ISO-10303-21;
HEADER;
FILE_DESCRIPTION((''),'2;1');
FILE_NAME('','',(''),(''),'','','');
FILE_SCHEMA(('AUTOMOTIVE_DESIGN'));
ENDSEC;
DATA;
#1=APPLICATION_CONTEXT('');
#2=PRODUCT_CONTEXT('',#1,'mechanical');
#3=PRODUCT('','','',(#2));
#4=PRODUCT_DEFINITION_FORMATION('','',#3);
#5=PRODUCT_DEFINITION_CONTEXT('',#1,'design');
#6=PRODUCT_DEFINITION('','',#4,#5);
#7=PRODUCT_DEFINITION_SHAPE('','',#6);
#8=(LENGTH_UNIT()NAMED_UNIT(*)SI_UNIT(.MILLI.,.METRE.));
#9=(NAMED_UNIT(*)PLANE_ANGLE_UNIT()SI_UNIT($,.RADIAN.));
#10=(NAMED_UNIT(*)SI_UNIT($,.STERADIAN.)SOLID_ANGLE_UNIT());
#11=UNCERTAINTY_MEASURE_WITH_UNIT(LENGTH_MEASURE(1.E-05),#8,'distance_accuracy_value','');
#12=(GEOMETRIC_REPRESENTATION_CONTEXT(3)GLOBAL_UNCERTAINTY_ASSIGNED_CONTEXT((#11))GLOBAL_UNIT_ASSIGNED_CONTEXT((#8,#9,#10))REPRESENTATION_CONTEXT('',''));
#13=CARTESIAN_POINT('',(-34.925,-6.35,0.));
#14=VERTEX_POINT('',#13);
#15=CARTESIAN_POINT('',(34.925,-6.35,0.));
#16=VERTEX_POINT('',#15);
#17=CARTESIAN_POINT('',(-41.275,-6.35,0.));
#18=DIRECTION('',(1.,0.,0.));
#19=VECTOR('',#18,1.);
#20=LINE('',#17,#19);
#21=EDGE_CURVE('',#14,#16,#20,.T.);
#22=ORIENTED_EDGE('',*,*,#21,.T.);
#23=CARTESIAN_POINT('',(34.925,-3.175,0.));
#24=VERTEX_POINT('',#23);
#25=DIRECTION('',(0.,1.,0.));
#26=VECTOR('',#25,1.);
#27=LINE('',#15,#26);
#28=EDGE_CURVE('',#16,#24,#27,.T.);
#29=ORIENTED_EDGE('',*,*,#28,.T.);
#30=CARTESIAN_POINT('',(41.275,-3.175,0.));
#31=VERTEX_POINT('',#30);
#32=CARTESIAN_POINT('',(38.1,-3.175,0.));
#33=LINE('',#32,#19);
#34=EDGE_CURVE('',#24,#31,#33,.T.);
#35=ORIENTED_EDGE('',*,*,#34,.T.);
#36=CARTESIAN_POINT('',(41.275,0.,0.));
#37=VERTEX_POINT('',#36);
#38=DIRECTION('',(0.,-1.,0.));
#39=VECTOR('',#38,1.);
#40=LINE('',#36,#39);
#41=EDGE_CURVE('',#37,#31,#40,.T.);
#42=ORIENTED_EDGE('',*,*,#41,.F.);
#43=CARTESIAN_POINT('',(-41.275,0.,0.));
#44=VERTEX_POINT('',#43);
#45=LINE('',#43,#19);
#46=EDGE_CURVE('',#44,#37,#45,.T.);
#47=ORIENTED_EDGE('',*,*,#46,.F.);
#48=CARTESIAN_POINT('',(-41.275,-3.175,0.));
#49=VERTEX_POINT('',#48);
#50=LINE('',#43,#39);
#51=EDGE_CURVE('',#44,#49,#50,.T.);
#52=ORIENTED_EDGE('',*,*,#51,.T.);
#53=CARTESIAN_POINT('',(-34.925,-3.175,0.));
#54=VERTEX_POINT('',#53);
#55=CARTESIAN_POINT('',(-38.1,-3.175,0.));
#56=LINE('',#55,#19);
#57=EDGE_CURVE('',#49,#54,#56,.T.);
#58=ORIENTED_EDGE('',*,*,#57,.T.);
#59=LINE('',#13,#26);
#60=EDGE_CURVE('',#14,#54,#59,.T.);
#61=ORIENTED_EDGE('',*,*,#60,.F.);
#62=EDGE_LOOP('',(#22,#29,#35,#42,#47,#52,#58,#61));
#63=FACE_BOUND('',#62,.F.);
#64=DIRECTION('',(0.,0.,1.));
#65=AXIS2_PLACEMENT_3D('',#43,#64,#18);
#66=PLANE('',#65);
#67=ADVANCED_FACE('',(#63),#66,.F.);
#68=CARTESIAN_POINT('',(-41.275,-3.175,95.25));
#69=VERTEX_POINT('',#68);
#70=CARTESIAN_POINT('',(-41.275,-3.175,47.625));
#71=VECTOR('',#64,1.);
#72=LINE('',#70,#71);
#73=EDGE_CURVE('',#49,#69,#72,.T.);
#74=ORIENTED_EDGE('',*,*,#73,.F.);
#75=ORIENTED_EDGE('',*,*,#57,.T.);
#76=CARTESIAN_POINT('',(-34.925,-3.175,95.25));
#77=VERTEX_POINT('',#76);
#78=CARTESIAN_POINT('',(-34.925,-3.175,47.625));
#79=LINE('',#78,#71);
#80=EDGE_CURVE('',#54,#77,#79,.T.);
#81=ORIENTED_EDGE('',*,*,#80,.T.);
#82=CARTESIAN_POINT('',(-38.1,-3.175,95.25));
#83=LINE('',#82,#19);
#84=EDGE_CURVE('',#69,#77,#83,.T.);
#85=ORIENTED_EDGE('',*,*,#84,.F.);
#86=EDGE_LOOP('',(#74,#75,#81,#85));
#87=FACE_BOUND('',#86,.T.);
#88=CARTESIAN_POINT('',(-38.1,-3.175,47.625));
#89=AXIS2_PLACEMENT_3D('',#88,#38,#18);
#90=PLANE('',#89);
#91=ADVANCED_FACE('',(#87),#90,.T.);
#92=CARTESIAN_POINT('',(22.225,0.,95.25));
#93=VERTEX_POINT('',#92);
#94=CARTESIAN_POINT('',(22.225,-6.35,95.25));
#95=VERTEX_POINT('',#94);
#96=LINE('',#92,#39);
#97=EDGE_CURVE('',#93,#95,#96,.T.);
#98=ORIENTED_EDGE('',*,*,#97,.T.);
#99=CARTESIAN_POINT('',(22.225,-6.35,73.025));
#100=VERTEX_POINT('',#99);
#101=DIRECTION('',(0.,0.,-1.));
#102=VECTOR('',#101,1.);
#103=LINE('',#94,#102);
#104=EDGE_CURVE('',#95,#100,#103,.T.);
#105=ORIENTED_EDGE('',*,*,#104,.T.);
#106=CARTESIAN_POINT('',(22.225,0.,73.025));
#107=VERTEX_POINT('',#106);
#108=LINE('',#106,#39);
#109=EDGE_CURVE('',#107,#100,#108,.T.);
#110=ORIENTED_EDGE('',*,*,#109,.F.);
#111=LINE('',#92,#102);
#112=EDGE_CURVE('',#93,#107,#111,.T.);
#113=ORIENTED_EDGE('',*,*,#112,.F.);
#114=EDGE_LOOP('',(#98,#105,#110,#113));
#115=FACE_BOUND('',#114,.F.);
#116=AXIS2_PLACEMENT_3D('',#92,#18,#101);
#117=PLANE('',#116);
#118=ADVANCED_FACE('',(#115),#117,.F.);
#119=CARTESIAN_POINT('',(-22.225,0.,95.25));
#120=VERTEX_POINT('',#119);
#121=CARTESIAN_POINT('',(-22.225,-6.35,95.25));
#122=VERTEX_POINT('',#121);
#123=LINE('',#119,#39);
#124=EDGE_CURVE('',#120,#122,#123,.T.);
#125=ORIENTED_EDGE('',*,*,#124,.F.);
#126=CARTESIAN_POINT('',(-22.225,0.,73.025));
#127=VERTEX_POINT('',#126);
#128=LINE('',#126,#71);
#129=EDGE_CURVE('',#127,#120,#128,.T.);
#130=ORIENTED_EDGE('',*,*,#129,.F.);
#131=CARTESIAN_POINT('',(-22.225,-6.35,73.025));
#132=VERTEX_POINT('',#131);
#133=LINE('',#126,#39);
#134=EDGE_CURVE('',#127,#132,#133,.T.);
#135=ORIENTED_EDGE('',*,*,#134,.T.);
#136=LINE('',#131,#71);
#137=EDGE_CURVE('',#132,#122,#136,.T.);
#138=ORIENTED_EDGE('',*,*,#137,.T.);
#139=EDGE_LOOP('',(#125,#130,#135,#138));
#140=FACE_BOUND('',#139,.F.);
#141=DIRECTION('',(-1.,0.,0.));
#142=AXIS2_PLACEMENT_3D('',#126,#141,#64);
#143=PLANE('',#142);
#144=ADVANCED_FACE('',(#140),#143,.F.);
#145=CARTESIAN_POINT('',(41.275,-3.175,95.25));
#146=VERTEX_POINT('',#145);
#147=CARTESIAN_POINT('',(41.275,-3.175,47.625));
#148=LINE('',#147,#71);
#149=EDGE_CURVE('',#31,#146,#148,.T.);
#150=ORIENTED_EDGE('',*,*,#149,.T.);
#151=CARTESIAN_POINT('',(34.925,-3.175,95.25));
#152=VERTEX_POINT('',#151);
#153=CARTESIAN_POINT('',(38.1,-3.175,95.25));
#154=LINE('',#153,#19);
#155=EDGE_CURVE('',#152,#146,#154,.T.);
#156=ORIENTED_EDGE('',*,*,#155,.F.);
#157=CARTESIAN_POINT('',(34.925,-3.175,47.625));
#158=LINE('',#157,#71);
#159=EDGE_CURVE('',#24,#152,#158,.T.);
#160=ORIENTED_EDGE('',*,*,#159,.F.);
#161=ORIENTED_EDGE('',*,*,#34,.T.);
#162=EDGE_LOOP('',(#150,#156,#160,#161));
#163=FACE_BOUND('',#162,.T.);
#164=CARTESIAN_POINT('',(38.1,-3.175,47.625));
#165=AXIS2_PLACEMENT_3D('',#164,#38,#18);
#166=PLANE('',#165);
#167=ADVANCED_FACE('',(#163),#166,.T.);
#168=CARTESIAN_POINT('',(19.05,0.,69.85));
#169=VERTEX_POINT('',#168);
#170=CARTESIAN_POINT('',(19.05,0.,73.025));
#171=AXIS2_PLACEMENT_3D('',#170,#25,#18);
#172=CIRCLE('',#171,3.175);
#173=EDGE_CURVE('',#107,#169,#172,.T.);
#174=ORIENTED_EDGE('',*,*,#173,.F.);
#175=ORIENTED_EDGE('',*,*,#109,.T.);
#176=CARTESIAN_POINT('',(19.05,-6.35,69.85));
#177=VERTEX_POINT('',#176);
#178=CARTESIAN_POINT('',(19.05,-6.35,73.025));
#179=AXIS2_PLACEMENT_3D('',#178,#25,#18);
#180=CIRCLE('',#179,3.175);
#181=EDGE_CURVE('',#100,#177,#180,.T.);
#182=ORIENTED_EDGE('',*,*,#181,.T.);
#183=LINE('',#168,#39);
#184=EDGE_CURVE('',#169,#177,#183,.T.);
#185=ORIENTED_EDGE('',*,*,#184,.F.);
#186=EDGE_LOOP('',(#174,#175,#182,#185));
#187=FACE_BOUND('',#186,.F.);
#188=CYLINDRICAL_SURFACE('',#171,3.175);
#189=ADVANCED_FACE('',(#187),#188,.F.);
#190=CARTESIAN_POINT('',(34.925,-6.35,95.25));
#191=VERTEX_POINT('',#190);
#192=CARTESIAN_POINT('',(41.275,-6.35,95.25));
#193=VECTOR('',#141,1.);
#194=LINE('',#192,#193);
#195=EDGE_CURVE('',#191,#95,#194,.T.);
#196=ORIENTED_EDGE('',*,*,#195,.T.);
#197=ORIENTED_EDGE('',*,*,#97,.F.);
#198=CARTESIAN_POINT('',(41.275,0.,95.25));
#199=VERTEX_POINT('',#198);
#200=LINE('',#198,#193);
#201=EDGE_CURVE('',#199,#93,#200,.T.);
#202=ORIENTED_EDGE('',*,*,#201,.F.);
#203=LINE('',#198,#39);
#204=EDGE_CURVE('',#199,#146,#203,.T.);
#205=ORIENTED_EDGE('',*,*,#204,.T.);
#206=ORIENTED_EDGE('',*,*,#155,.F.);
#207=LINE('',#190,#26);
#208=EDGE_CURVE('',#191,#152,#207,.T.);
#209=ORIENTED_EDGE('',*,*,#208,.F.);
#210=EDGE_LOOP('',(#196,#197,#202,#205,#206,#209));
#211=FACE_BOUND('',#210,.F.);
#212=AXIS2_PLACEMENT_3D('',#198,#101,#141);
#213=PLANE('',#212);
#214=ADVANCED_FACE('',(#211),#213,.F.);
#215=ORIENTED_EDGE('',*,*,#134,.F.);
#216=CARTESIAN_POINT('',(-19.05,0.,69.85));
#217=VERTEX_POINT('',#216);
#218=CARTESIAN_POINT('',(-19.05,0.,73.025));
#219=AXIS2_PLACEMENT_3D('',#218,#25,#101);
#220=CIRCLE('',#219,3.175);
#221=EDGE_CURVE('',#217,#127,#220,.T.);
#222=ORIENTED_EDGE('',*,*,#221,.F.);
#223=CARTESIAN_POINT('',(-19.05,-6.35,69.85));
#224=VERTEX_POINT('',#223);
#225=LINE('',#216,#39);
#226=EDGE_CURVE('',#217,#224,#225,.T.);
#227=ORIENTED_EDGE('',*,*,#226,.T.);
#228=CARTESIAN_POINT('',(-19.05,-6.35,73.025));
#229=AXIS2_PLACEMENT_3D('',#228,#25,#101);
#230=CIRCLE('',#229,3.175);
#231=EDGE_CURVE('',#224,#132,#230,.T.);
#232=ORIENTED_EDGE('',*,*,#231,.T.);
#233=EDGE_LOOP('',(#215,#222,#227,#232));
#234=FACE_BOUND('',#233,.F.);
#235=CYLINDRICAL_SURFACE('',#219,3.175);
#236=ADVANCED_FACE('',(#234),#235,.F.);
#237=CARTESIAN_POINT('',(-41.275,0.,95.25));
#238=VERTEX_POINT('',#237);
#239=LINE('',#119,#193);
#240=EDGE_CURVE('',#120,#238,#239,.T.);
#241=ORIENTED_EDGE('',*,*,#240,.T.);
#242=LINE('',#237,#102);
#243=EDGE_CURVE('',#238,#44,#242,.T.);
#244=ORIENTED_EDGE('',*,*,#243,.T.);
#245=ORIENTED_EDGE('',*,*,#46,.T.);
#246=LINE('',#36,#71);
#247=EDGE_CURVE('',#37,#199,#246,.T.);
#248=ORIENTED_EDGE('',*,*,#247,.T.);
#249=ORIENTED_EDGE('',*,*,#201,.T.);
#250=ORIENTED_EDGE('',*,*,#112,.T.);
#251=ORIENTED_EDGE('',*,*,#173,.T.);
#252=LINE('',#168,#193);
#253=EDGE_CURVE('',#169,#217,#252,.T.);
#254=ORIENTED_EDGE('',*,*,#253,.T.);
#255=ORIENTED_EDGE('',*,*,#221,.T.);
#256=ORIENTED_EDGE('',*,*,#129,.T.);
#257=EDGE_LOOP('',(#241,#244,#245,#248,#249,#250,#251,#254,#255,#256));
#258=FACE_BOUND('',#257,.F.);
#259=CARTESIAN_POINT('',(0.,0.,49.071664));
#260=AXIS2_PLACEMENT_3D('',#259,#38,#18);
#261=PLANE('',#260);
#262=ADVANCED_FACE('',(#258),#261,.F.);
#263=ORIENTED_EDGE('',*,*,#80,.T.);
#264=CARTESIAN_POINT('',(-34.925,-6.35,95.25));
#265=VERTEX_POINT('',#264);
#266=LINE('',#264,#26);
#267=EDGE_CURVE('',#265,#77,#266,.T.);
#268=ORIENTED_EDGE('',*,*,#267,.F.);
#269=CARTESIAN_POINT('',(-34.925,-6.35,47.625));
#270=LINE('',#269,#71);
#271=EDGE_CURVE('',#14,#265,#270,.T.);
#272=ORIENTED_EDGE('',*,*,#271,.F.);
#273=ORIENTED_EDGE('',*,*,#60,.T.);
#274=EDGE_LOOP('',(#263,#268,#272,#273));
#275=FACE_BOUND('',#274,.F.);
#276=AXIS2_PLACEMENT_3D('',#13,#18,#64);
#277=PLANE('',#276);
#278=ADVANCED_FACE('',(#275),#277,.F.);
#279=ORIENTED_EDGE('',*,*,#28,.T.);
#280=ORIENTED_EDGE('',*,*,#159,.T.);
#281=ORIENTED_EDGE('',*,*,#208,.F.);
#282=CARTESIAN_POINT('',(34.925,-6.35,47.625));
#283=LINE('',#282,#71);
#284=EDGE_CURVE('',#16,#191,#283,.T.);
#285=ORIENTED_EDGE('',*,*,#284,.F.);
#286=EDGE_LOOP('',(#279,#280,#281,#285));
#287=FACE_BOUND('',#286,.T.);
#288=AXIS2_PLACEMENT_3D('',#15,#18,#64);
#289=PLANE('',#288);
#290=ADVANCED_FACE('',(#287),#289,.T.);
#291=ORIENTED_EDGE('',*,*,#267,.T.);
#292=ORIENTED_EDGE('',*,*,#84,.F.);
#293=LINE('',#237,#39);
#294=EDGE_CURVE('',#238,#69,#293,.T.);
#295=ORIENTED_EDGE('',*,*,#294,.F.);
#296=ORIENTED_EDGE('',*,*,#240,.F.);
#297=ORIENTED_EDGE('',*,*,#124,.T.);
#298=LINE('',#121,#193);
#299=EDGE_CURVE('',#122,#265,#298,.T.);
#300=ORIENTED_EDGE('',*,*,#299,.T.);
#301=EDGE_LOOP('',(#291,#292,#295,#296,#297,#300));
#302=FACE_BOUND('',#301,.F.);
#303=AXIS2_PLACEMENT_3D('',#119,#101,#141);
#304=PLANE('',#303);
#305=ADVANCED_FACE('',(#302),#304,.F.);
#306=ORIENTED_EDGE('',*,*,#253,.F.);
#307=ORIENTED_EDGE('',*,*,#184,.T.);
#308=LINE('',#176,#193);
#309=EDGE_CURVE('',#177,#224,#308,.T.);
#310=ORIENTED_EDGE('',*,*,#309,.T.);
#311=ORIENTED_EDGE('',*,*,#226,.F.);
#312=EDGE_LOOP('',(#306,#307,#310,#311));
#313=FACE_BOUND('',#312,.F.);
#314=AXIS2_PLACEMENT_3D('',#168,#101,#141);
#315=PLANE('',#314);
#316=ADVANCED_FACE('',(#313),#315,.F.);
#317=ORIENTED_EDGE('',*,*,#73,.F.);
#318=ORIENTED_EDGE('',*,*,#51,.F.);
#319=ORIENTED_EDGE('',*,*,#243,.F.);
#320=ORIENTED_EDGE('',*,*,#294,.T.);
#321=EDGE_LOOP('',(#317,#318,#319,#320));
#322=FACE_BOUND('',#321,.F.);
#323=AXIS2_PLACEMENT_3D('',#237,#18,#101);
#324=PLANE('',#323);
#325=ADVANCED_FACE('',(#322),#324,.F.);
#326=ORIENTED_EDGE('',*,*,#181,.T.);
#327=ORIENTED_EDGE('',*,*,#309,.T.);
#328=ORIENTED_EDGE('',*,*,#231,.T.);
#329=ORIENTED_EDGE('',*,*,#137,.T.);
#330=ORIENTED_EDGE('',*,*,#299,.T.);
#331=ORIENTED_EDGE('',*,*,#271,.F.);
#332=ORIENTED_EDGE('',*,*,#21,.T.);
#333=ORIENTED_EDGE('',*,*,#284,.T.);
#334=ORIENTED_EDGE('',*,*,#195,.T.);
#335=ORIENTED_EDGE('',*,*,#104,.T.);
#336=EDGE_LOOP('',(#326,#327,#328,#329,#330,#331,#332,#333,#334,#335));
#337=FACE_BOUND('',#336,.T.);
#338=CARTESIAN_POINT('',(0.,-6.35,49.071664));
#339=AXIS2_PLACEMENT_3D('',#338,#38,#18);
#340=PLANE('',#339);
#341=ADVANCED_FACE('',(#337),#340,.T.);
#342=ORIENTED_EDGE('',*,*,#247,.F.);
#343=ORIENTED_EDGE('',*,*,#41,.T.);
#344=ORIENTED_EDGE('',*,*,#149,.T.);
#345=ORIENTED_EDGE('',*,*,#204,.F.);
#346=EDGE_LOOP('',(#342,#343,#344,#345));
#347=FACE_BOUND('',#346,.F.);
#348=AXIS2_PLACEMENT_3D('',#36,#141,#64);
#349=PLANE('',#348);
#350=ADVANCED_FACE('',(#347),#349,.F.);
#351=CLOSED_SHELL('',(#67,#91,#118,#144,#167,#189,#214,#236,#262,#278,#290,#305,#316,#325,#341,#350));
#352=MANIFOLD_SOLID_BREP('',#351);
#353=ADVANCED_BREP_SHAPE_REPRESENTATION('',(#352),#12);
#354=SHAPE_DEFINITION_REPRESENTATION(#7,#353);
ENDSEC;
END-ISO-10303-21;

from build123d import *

# Parameters (mm, degrees)
F1_DEPTH = 6.35
F2_W     = 6.35
F2_H     = 95.25
F3_DEPTH = 3.175


with BuildPart() as f1:
    # F0 (on Front) → F1 (new body)
    with BuildSketch(Plane.XZ):
        with BuildLine():
            Line((-41.275, 0), (0, 0))
            Line((0, 0), (41.275, 0))
            Line((41.275, 0), (41.275, 95.25))
            Line((41.275, 95.25), (22.225, 95.25))
            Line((22.225, 95.25), (22.225, 73.025))
            ThreePointArc((22.225, 73.025), (21.2950640303, 70.7799359697), (19.05, 69.85))
            Line((19.05, 69.85), (-19.05, 69.85))
            ThreePointArc((-19.05, 69.85), (-21.2950640303, 70.7799359697), (-22.225, 73.025))
            Line((-22.225, 73.025), (-22.225, 95.25))
            Line((-22.225, 95.25), (-41.275, 95.25))
            Line((-41.275, 95.25), (-41.275, 0))
        make_face()
    extrude(amount=F1_DEPTH)

    # F2 (on face) → F3 (cut)
    with BuildSketch(Plane.XZ.offset(6.35)):
        with Locations((-38.1, 47.625)):
            Rectangle(F2_W, F2_H)
        with Locations((38.1, 47.625)):
            Rectangle(F2_W, F2_H)
    extrude(amount=-F3_DEPTH, mode=Mode.SUBTRACT)


solid = f1.part
